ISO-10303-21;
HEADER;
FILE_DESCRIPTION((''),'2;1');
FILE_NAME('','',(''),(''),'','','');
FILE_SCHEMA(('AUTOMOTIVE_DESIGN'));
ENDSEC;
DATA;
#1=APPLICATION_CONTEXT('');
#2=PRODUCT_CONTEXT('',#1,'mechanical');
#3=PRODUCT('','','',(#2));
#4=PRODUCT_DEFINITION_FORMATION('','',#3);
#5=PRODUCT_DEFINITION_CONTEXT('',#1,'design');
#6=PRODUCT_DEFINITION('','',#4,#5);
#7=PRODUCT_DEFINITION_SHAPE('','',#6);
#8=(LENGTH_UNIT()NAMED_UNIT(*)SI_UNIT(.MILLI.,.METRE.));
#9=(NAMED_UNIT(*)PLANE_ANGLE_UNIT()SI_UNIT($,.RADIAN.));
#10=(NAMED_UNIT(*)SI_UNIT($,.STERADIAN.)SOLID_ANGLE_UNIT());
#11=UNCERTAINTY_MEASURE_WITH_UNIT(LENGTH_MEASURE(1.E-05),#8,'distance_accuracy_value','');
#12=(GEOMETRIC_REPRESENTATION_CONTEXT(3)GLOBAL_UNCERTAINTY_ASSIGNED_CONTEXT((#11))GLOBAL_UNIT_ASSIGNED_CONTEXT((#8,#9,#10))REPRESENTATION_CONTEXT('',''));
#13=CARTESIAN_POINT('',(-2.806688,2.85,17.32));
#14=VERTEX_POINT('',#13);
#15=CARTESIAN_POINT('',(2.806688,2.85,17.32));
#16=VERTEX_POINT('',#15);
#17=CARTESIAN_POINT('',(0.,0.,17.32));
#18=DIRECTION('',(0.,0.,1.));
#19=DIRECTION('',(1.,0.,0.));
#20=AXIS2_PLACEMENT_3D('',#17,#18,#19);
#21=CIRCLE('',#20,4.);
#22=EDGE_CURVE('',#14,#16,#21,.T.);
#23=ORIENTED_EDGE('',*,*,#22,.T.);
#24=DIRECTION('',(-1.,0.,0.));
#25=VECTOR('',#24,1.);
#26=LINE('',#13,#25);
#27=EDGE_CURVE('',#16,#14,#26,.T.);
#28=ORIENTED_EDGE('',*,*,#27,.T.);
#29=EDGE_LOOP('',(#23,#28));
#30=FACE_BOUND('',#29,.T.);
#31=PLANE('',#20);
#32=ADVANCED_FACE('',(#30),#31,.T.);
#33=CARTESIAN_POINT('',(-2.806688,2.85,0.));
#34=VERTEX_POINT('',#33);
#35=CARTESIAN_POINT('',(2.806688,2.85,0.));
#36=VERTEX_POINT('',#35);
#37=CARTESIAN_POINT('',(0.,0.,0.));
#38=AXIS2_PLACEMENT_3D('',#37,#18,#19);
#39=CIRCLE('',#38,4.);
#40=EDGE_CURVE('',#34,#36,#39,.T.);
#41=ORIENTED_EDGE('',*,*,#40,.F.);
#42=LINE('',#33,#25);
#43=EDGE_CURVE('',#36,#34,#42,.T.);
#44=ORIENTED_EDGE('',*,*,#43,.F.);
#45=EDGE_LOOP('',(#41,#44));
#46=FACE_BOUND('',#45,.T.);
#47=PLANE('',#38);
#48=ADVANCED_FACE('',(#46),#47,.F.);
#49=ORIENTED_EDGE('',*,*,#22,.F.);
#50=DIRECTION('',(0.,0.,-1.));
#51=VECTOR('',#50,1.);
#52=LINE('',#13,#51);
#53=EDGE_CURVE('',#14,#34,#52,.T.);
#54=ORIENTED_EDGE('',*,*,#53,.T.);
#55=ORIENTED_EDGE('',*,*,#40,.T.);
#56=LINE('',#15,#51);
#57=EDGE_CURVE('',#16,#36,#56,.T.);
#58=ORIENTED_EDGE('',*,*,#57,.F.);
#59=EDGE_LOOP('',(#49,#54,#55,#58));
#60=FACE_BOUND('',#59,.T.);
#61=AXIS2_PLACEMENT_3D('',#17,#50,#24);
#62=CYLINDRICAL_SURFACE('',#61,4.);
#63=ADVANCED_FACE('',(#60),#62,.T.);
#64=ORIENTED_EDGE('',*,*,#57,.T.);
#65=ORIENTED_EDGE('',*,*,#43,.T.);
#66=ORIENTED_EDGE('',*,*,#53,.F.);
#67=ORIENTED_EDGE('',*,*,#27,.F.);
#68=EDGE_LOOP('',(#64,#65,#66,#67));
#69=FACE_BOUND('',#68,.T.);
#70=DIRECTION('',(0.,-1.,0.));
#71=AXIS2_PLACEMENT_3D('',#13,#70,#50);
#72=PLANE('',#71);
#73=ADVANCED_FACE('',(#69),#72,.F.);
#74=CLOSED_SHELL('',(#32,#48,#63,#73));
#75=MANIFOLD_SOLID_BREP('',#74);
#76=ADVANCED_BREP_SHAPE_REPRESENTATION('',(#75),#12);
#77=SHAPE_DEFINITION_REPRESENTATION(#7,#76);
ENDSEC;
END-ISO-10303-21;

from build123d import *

# Parameters (mm, degrees)
BOSS_EXTRUDE1_DEPTH = 17.32


with BuildPart() as part:
    # Sketch2 → Boss-Extrude1 (new body)
    with BuildSketch(Plane.XY):
        with BuildLine():
            Line((-2.80668844, 2.85), (2.80668844, 2.85))
            ThreePointArc((2.80668844, 2.85), (0, -4), (-2.80668844, 2.85))
        make_face()
    extrude(amount=BOSS_EXTRUDE1_DEPTH)


solid = part.part
